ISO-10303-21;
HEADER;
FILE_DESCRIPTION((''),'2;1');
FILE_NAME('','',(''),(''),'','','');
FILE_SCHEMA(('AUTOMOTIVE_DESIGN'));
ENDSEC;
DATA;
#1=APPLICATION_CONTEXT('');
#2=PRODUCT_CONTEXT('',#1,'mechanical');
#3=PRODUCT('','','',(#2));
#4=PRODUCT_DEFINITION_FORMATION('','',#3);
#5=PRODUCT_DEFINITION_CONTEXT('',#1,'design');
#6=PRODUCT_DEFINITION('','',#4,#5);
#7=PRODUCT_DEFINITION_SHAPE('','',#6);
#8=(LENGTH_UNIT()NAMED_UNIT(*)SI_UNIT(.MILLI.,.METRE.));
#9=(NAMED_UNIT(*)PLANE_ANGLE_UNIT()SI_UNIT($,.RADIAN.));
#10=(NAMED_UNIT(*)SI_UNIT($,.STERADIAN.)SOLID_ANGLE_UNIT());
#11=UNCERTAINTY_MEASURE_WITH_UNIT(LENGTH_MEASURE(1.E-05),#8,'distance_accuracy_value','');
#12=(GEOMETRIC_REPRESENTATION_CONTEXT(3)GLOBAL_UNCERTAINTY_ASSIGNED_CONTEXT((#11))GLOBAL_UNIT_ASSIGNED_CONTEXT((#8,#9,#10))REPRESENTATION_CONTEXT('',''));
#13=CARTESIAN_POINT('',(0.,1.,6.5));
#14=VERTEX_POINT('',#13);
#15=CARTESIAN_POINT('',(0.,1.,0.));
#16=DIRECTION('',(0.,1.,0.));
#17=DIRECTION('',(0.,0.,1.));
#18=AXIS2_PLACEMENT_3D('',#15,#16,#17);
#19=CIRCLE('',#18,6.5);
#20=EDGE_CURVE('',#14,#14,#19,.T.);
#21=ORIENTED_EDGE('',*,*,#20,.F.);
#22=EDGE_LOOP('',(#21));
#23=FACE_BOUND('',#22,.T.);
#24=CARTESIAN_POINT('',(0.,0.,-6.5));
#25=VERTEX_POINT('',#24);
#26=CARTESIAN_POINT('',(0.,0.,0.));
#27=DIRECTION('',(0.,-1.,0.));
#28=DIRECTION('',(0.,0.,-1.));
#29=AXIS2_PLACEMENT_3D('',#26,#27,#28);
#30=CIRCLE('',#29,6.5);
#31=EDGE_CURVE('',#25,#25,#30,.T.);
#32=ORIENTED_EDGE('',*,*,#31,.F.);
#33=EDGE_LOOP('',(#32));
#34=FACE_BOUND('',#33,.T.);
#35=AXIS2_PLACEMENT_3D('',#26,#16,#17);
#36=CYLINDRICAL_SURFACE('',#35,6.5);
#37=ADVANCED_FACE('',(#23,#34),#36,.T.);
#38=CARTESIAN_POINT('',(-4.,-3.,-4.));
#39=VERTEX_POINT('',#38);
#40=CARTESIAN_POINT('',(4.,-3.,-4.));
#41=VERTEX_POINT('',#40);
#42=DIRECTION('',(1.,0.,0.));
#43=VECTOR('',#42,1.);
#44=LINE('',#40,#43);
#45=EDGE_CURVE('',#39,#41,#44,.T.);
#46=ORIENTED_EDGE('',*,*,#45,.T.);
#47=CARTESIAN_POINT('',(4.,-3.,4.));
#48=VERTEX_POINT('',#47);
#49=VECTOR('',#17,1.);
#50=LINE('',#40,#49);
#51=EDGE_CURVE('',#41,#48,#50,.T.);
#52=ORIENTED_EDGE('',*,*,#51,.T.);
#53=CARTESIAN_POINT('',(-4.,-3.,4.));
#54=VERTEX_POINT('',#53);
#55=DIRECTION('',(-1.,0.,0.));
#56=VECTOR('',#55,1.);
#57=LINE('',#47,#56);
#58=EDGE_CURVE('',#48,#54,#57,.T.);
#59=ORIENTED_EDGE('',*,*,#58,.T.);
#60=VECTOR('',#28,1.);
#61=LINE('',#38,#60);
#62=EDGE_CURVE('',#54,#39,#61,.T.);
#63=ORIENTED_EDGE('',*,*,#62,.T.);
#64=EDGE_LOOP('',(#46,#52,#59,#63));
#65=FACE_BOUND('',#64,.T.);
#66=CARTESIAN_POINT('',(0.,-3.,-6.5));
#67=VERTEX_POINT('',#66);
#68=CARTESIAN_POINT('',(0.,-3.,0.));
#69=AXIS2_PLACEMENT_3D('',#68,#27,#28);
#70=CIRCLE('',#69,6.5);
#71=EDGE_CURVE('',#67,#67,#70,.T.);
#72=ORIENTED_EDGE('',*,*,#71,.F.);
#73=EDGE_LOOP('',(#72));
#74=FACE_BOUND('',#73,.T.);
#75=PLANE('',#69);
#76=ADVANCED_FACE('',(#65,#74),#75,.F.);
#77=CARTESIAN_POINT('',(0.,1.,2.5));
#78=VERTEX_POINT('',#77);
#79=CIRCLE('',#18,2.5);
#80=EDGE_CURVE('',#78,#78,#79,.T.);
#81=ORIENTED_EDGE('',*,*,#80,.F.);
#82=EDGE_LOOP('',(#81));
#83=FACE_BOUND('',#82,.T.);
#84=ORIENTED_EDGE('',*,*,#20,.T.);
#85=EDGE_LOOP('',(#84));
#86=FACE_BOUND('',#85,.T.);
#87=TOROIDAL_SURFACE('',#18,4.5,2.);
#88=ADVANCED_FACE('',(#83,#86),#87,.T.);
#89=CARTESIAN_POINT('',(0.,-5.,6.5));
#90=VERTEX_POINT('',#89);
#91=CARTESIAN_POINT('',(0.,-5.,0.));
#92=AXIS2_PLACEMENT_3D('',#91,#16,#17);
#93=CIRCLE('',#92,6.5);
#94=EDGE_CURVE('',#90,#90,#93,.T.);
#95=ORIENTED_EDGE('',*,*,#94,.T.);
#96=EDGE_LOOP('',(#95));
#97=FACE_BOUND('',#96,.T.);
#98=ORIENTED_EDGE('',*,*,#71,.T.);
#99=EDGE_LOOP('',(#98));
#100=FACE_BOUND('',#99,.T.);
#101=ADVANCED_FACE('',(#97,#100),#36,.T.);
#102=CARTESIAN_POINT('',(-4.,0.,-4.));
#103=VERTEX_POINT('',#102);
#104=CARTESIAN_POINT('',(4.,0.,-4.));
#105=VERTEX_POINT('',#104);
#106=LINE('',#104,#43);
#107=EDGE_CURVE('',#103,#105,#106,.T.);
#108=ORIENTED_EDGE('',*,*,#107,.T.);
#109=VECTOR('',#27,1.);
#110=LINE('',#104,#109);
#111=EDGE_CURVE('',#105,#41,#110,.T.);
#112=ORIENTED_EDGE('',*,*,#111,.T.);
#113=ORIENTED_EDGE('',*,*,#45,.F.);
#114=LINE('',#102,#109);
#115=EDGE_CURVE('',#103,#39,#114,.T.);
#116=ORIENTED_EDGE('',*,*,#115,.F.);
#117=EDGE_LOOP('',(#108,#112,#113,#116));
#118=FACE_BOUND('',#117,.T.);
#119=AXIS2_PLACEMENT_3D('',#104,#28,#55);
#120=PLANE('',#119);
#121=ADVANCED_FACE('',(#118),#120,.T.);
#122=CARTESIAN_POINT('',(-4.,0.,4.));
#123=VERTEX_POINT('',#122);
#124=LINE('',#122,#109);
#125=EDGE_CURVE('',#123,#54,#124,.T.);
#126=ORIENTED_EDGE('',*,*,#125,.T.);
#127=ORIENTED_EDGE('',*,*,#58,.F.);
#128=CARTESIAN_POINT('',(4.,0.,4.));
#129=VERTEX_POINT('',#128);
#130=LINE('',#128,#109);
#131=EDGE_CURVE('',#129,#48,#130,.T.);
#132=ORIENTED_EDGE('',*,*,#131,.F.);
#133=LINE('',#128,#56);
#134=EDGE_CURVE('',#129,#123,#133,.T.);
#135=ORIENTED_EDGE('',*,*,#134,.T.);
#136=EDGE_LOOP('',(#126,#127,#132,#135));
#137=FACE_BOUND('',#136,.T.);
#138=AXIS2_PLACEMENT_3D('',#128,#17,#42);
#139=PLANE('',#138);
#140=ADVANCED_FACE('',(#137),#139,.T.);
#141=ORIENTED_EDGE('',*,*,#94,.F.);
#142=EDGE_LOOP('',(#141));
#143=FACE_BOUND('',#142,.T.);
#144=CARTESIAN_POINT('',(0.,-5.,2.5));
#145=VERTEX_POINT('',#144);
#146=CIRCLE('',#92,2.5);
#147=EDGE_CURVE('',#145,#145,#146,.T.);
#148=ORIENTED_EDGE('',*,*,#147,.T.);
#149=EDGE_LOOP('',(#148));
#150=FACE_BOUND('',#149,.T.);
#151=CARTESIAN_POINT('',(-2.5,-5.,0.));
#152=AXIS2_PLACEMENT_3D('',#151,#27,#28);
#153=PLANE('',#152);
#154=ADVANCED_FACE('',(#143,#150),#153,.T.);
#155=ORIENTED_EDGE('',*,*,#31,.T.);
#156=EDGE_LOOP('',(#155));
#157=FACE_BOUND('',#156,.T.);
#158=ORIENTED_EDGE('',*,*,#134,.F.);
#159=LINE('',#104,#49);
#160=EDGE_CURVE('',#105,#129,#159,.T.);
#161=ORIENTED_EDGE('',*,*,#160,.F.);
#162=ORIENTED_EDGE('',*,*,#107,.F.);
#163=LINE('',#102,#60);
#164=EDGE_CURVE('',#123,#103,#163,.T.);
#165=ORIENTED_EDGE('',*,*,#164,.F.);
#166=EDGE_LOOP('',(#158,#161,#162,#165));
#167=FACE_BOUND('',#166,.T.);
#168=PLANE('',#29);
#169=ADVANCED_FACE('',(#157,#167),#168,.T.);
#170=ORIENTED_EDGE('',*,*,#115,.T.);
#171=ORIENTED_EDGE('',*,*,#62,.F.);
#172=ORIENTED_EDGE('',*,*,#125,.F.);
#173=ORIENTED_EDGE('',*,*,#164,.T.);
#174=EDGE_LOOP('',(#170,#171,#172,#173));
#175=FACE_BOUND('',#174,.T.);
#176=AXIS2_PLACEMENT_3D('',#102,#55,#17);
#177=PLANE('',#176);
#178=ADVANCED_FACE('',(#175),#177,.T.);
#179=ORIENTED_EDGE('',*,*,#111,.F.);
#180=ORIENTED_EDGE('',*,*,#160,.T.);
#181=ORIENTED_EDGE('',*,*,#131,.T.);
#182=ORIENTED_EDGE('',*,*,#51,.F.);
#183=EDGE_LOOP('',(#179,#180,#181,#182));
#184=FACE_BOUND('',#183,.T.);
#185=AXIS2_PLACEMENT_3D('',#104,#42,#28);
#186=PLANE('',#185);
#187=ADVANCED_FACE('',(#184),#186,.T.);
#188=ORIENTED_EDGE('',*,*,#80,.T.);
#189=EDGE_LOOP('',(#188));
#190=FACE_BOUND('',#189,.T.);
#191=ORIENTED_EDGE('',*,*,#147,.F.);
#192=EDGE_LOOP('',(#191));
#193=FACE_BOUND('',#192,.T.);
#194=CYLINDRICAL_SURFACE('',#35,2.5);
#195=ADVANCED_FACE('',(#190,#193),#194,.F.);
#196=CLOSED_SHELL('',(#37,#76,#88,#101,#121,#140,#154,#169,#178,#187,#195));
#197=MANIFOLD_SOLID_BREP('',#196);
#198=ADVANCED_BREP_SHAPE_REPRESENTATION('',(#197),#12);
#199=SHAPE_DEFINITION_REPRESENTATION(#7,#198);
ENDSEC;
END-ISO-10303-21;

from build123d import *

# Parameters (mm, degrees)
SKETCH3_R          = 6.5
SKETCH3_W          = 8
SKETCH3_H          = 8
CUT_EXTRUDE1_DEPTH = 3


with BuildPart() as part:
    # Sketch1 → Revolve1 (revolve)
    with BuildSketch(Plane.XY):
        with BuildLine():
            Line((-2.5, -5), (-2.5, 1))
            ThreePointArc((-2.5, 1), (-4.5, 3), (-6.5, 1))
            Line((-6.5, 1), (-6.5, -5))
            Line((-6.5, -5), (-2.5, -5))
        make_face()
    revolve(axis=Axis((0, 0, 0), (0, -1, 0)))

    # Sketch3 → Cut-Extrude1 (cut)
    with BuildSketch(Plane(origin=(0, -3, 0), x_dir=(-1, 0, 0), z_dir=(0, -1, 0))):
        Circle(SKETCH3_R)
        Rectangle(SKETCH3_W, SKETCH3_H, mode=Mode.SUBTRACT)
    extrude(amount=-CUT_EXTRUDE1_DEPTH, mode=Mode.SUBTRACT)


solid = part.part
